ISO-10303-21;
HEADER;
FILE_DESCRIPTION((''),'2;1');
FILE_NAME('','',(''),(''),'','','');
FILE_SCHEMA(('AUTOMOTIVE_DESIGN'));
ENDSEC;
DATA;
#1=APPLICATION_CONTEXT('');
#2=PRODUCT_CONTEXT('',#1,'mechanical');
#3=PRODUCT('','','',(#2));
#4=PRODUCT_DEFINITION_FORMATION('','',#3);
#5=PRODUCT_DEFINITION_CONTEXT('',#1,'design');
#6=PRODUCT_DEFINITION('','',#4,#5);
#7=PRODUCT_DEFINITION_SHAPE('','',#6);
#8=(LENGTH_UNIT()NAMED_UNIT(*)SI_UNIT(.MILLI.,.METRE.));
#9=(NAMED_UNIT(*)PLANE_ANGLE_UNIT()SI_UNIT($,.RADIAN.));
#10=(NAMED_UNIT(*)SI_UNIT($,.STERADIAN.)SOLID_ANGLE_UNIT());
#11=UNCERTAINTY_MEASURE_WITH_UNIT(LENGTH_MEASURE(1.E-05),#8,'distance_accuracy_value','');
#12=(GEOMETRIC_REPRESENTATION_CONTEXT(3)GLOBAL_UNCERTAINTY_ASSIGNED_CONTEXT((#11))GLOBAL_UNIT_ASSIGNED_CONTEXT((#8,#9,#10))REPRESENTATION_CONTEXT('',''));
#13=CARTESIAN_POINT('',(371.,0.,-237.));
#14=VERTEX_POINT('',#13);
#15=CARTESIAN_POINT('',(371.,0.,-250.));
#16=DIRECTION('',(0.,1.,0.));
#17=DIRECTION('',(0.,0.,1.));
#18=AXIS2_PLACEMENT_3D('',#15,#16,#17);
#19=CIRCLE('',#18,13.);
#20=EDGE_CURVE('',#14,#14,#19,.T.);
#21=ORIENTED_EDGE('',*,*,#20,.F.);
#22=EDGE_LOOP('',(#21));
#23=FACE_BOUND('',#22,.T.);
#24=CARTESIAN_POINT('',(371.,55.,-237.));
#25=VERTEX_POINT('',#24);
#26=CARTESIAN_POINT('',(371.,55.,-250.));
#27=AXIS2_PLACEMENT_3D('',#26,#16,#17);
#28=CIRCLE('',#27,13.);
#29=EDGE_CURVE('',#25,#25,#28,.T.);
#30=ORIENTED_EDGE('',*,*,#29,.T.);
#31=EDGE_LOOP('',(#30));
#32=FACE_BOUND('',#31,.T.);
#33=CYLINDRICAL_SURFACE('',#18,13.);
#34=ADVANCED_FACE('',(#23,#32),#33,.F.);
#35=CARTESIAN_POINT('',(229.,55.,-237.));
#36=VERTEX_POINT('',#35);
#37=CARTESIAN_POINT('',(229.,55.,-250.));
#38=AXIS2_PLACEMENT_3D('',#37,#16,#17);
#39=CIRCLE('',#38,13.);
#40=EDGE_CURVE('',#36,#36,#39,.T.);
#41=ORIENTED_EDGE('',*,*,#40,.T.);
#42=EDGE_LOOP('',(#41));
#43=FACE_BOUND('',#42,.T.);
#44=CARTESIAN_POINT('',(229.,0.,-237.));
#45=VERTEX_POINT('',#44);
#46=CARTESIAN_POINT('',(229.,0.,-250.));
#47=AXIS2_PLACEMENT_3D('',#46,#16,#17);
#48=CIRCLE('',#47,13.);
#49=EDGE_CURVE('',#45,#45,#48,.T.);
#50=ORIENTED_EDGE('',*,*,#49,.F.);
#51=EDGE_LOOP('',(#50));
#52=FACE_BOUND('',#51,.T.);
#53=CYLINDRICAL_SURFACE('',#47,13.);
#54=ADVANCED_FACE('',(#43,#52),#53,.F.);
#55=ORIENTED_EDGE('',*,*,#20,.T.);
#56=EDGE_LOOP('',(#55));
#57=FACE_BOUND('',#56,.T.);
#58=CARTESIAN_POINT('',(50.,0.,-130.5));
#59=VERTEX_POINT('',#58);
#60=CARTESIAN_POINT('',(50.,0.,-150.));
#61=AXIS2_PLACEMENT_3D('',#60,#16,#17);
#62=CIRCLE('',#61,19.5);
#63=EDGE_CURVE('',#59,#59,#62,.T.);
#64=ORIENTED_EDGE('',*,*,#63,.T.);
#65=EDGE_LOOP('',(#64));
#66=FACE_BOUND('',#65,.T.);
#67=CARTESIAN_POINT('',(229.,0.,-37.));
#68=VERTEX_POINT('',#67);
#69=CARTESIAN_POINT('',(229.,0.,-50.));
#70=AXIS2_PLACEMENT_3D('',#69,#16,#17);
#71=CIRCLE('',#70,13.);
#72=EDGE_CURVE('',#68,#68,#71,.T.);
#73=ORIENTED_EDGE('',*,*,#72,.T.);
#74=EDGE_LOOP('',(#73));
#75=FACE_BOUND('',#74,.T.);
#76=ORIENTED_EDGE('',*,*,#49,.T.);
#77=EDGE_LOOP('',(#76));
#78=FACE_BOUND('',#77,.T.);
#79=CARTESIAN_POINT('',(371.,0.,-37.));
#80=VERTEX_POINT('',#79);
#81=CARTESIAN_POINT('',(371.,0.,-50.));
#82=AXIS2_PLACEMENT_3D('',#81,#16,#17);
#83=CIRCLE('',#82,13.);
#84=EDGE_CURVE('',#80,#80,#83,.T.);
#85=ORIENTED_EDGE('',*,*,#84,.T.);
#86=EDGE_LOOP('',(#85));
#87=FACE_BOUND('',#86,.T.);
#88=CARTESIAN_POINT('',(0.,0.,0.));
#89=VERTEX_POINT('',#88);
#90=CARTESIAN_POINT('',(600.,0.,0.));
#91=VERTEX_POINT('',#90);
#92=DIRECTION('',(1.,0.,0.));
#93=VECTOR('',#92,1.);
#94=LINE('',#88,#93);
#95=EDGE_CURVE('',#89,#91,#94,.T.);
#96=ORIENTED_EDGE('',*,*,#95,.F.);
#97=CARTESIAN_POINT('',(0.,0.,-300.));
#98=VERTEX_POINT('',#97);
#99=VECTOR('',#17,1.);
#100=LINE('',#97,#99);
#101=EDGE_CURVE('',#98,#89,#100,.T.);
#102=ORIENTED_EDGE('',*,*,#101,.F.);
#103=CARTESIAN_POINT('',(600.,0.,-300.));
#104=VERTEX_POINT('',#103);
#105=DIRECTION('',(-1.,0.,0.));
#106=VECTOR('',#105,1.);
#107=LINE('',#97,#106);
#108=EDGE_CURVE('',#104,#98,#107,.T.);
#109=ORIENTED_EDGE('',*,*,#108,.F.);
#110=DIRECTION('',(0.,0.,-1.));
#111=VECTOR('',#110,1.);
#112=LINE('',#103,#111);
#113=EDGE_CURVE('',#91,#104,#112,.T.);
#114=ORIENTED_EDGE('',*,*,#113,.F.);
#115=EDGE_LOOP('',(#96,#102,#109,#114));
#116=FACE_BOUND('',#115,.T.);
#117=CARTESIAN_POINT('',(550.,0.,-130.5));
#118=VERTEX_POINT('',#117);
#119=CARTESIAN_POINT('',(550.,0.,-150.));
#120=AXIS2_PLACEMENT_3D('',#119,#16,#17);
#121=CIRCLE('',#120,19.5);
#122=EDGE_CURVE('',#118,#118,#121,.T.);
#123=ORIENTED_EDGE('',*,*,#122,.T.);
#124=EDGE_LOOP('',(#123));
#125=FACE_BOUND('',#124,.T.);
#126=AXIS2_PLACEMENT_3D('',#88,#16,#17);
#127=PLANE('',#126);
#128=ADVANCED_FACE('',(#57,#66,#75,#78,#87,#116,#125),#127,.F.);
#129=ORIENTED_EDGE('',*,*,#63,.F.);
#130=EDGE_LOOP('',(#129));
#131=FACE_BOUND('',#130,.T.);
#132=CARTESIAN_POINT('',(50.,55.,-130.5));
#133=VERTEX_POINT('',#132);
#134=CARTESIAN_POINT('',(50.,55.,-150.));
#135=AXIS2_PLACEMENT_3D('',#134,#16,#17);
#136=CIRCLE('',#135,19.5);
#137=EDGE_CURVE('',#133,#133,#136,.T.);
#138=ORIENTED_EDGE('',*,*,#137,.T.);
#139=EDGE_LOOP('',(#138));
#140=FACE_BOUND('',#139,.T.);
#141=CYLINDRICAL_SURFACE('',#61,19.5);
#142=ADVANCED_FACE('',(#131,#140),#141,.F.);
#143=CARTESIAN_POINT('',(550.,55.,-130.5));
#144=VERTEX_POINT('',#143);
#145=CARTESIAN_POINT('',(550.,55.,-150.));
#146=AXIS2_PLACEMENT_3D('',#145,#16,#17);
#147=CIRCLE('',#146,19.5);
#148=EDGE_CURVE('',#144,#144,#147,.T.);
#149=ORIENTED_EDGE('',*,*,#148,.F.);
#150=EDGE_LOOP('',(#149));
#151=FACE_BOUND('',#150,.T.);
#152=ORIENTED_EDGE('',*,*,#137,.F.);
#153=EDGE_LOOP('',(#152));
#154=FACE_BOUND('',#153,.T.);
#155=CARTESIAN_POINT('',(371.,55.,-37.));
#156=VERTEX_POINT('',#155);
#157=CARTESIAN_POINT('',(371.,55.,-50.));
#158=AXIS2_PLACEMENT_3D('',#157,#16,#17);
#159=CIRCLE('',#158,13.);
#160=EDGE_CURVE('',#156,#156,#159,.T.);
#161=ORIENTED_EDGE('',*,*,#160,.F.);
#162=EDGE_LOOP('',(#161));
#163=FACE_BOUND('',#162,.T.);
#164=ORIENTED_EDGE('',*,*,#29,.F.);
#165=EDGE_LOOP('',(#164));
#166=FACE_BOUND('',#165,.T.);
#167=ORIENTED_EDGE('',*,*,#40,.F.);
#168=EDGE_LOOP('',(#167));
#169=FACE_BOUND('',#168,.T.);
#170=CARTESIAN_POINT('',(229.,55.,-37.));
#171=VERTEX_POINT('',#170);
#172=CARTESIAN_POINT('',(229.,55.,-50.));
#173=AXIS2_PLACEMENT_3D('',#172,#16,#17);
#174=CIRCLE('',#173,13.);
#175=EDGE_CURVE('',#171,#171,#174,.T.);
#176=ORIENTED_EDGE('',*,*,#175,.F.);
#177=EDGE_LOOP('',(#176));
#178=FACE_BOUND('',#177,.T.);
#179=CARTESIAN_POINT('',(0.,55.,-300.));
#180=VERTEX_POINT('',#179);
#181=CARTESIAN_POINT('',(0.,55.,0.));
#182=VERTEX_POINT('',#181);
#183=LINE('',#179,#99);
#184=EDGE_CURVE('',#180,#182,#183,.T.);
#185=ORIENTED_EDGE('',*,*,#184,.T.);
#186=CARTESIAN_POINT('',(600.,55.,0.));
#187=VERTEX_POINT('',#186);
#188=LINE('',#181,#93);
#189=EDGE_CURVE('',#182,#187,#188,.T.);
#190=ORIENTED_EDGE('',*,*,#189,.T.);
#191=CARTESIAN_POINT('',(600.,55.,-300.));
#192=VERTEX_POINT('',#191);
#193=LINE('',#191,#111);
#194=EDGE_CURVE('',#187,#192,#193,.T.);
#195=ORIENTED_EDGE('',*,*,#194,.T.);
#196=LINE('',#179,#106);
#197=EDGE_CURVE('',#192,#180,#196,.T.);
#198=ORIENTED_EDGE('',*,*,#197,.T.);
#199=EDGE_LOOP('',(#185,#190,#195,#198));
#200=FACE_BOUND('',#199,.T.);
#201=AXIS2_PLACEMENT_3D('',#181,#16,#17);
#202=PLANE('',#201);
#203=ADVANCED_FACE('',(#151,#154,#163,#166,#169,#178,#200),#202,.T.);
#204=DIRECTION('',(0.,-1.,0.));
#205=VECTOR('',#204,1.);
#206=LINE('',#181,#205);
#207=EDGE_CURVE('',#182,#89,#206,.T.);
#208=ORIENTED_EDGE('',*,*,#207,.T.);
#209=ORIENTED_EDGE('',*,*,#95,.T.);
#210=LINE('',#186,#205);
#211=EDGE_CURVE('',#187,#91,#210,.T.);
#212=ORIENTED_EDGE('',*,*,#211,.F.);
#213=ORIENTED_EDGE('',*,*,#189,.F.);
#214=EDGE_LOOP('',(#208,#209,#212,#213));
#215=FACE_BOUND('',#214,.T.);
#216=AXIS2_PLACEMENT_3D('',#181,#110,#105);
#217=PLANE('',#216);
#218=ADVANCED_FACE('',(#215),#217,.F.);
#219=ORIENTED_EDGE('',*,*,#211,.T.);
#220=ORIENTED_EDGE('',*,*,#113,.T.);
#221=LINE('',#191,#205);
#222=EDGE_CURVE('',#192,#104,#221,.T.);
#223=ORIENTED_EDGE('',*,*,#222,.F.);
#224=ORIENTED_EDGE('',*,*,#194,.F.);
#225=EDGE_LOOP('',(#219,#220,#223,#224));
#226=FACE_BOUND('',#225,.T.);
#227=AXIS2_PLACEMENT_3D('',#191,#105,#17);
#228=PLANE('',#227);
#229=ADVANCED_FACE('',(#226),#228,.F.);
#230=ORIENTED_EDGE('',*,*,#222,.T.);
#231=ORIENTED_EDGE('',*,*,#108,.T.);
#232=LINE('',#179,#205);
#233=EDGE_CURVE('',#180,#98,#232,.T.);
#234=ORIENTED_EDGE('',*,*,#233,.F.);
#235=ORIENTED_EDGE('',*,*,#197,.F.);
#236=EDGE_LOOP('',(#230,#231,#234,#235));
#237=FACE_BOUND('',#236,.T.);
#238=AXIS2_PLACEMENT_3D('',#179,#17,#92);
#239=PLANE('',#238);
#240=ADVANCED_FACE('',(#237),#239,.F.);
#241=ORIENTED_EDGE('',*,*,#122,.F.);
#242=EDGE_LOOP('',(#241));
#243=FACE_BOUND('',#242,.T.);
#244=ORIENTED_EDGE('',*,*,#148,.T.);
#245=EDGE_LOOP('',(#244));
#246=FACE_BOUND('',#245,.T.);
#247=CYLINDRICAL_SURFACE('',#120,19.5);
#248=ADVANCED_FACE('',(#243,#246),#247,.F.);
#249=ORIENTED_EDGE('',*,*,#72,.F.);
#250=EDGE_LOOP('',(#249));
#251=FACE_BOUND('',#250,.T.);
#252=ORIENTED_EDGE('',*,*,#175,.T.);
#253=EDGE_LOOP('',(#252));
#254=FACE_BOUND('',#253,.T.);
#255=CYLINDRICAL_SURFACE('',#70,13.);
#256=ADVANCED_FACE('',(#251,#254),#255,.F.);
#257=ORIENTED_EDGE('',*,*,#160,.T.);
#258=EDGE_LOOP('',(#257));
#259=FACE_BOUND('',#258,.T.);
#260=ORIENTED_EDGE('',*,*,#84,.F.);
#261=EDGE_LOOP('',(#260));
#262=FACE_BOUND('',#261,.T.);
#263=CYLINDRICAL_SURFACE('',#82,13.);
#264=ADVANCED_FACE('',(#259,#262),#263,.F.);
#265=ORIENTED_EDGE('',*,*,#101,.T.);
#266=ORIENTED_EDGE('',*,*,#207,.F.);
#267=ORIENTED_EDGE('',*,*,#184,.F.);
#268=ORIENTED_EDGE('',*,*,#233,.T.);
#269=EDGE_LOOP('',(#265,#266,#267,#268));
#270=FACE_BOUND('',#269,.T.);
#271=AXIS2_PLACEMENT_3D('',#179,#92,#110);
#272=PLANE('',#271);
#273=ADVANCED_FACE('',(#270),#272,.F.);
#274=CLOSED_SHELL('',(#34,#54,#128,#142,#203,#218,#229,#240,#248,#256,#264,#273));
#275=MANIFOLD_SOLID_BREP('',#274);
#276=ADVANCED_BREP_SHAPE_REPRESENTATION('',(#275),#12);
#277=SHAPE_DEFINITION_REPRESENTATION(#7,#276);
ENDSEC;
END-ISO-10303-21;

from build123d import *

# Parameters (mm, degrees)
SKETCH_1_W          = 600
SKETCH_1_H          = 300
EXTRUDE_1_DEPTH     = 55
SKETCH_2_R          = 19.5
SKETCH_2_R_2        = 13
CUT_EXTRUDE_1_DEPTH = 674.071318658


with BuildPart() as part:
    # 草图1 → 凸台-拉伸1 (new body)
    with BuildSketch(Plane(origin=(0, 0, 0), x_dir=(1, 0, 0), z_dir=(0, 1, 0))):
        with Locations((300, 150)):
            Rectangle(SKETCH_1_W, SKETCH_1_H)
    extrude(amount=EXTRUDE_1_DEPTH)

    # 草图2 → 切除-拉伸1 (cut, through all)
    with BuildSketch(Plane(origin=(0, 55, 0), x_dir=(1, 0, 0), z_dir=(0, 1, 0))):
        with Locations(Location((50, 150, 0), (0, 0, 270))):
            Circle(SKETCH_2_R)
        with Locations(Location((550, 150, 0), (0, 0, 270))):
            Circle(SKETCH_2_R)
        with Locations(Location((371, 250, 0), (0, 0, 270))):
            Circle(SKETCH_2_R_2)
        with Locations(Location((229, 250, 0), (0, 0, 270))):
            Circle(SKETCH_2_R_2)
        with Locations(Location((371, 50, 0), (0, 0, 270))):
            Circle(SKETCH_2_R_2)
        with Locations(Location((229, 50, 0), (0, 0, 270))):
            Circle(SKETCH_2_R_2)
    extrude(amount=-CUT_EXTRUDE_1_DEPTH, mode=Mode.SUBTRACT)


solid = part.part
